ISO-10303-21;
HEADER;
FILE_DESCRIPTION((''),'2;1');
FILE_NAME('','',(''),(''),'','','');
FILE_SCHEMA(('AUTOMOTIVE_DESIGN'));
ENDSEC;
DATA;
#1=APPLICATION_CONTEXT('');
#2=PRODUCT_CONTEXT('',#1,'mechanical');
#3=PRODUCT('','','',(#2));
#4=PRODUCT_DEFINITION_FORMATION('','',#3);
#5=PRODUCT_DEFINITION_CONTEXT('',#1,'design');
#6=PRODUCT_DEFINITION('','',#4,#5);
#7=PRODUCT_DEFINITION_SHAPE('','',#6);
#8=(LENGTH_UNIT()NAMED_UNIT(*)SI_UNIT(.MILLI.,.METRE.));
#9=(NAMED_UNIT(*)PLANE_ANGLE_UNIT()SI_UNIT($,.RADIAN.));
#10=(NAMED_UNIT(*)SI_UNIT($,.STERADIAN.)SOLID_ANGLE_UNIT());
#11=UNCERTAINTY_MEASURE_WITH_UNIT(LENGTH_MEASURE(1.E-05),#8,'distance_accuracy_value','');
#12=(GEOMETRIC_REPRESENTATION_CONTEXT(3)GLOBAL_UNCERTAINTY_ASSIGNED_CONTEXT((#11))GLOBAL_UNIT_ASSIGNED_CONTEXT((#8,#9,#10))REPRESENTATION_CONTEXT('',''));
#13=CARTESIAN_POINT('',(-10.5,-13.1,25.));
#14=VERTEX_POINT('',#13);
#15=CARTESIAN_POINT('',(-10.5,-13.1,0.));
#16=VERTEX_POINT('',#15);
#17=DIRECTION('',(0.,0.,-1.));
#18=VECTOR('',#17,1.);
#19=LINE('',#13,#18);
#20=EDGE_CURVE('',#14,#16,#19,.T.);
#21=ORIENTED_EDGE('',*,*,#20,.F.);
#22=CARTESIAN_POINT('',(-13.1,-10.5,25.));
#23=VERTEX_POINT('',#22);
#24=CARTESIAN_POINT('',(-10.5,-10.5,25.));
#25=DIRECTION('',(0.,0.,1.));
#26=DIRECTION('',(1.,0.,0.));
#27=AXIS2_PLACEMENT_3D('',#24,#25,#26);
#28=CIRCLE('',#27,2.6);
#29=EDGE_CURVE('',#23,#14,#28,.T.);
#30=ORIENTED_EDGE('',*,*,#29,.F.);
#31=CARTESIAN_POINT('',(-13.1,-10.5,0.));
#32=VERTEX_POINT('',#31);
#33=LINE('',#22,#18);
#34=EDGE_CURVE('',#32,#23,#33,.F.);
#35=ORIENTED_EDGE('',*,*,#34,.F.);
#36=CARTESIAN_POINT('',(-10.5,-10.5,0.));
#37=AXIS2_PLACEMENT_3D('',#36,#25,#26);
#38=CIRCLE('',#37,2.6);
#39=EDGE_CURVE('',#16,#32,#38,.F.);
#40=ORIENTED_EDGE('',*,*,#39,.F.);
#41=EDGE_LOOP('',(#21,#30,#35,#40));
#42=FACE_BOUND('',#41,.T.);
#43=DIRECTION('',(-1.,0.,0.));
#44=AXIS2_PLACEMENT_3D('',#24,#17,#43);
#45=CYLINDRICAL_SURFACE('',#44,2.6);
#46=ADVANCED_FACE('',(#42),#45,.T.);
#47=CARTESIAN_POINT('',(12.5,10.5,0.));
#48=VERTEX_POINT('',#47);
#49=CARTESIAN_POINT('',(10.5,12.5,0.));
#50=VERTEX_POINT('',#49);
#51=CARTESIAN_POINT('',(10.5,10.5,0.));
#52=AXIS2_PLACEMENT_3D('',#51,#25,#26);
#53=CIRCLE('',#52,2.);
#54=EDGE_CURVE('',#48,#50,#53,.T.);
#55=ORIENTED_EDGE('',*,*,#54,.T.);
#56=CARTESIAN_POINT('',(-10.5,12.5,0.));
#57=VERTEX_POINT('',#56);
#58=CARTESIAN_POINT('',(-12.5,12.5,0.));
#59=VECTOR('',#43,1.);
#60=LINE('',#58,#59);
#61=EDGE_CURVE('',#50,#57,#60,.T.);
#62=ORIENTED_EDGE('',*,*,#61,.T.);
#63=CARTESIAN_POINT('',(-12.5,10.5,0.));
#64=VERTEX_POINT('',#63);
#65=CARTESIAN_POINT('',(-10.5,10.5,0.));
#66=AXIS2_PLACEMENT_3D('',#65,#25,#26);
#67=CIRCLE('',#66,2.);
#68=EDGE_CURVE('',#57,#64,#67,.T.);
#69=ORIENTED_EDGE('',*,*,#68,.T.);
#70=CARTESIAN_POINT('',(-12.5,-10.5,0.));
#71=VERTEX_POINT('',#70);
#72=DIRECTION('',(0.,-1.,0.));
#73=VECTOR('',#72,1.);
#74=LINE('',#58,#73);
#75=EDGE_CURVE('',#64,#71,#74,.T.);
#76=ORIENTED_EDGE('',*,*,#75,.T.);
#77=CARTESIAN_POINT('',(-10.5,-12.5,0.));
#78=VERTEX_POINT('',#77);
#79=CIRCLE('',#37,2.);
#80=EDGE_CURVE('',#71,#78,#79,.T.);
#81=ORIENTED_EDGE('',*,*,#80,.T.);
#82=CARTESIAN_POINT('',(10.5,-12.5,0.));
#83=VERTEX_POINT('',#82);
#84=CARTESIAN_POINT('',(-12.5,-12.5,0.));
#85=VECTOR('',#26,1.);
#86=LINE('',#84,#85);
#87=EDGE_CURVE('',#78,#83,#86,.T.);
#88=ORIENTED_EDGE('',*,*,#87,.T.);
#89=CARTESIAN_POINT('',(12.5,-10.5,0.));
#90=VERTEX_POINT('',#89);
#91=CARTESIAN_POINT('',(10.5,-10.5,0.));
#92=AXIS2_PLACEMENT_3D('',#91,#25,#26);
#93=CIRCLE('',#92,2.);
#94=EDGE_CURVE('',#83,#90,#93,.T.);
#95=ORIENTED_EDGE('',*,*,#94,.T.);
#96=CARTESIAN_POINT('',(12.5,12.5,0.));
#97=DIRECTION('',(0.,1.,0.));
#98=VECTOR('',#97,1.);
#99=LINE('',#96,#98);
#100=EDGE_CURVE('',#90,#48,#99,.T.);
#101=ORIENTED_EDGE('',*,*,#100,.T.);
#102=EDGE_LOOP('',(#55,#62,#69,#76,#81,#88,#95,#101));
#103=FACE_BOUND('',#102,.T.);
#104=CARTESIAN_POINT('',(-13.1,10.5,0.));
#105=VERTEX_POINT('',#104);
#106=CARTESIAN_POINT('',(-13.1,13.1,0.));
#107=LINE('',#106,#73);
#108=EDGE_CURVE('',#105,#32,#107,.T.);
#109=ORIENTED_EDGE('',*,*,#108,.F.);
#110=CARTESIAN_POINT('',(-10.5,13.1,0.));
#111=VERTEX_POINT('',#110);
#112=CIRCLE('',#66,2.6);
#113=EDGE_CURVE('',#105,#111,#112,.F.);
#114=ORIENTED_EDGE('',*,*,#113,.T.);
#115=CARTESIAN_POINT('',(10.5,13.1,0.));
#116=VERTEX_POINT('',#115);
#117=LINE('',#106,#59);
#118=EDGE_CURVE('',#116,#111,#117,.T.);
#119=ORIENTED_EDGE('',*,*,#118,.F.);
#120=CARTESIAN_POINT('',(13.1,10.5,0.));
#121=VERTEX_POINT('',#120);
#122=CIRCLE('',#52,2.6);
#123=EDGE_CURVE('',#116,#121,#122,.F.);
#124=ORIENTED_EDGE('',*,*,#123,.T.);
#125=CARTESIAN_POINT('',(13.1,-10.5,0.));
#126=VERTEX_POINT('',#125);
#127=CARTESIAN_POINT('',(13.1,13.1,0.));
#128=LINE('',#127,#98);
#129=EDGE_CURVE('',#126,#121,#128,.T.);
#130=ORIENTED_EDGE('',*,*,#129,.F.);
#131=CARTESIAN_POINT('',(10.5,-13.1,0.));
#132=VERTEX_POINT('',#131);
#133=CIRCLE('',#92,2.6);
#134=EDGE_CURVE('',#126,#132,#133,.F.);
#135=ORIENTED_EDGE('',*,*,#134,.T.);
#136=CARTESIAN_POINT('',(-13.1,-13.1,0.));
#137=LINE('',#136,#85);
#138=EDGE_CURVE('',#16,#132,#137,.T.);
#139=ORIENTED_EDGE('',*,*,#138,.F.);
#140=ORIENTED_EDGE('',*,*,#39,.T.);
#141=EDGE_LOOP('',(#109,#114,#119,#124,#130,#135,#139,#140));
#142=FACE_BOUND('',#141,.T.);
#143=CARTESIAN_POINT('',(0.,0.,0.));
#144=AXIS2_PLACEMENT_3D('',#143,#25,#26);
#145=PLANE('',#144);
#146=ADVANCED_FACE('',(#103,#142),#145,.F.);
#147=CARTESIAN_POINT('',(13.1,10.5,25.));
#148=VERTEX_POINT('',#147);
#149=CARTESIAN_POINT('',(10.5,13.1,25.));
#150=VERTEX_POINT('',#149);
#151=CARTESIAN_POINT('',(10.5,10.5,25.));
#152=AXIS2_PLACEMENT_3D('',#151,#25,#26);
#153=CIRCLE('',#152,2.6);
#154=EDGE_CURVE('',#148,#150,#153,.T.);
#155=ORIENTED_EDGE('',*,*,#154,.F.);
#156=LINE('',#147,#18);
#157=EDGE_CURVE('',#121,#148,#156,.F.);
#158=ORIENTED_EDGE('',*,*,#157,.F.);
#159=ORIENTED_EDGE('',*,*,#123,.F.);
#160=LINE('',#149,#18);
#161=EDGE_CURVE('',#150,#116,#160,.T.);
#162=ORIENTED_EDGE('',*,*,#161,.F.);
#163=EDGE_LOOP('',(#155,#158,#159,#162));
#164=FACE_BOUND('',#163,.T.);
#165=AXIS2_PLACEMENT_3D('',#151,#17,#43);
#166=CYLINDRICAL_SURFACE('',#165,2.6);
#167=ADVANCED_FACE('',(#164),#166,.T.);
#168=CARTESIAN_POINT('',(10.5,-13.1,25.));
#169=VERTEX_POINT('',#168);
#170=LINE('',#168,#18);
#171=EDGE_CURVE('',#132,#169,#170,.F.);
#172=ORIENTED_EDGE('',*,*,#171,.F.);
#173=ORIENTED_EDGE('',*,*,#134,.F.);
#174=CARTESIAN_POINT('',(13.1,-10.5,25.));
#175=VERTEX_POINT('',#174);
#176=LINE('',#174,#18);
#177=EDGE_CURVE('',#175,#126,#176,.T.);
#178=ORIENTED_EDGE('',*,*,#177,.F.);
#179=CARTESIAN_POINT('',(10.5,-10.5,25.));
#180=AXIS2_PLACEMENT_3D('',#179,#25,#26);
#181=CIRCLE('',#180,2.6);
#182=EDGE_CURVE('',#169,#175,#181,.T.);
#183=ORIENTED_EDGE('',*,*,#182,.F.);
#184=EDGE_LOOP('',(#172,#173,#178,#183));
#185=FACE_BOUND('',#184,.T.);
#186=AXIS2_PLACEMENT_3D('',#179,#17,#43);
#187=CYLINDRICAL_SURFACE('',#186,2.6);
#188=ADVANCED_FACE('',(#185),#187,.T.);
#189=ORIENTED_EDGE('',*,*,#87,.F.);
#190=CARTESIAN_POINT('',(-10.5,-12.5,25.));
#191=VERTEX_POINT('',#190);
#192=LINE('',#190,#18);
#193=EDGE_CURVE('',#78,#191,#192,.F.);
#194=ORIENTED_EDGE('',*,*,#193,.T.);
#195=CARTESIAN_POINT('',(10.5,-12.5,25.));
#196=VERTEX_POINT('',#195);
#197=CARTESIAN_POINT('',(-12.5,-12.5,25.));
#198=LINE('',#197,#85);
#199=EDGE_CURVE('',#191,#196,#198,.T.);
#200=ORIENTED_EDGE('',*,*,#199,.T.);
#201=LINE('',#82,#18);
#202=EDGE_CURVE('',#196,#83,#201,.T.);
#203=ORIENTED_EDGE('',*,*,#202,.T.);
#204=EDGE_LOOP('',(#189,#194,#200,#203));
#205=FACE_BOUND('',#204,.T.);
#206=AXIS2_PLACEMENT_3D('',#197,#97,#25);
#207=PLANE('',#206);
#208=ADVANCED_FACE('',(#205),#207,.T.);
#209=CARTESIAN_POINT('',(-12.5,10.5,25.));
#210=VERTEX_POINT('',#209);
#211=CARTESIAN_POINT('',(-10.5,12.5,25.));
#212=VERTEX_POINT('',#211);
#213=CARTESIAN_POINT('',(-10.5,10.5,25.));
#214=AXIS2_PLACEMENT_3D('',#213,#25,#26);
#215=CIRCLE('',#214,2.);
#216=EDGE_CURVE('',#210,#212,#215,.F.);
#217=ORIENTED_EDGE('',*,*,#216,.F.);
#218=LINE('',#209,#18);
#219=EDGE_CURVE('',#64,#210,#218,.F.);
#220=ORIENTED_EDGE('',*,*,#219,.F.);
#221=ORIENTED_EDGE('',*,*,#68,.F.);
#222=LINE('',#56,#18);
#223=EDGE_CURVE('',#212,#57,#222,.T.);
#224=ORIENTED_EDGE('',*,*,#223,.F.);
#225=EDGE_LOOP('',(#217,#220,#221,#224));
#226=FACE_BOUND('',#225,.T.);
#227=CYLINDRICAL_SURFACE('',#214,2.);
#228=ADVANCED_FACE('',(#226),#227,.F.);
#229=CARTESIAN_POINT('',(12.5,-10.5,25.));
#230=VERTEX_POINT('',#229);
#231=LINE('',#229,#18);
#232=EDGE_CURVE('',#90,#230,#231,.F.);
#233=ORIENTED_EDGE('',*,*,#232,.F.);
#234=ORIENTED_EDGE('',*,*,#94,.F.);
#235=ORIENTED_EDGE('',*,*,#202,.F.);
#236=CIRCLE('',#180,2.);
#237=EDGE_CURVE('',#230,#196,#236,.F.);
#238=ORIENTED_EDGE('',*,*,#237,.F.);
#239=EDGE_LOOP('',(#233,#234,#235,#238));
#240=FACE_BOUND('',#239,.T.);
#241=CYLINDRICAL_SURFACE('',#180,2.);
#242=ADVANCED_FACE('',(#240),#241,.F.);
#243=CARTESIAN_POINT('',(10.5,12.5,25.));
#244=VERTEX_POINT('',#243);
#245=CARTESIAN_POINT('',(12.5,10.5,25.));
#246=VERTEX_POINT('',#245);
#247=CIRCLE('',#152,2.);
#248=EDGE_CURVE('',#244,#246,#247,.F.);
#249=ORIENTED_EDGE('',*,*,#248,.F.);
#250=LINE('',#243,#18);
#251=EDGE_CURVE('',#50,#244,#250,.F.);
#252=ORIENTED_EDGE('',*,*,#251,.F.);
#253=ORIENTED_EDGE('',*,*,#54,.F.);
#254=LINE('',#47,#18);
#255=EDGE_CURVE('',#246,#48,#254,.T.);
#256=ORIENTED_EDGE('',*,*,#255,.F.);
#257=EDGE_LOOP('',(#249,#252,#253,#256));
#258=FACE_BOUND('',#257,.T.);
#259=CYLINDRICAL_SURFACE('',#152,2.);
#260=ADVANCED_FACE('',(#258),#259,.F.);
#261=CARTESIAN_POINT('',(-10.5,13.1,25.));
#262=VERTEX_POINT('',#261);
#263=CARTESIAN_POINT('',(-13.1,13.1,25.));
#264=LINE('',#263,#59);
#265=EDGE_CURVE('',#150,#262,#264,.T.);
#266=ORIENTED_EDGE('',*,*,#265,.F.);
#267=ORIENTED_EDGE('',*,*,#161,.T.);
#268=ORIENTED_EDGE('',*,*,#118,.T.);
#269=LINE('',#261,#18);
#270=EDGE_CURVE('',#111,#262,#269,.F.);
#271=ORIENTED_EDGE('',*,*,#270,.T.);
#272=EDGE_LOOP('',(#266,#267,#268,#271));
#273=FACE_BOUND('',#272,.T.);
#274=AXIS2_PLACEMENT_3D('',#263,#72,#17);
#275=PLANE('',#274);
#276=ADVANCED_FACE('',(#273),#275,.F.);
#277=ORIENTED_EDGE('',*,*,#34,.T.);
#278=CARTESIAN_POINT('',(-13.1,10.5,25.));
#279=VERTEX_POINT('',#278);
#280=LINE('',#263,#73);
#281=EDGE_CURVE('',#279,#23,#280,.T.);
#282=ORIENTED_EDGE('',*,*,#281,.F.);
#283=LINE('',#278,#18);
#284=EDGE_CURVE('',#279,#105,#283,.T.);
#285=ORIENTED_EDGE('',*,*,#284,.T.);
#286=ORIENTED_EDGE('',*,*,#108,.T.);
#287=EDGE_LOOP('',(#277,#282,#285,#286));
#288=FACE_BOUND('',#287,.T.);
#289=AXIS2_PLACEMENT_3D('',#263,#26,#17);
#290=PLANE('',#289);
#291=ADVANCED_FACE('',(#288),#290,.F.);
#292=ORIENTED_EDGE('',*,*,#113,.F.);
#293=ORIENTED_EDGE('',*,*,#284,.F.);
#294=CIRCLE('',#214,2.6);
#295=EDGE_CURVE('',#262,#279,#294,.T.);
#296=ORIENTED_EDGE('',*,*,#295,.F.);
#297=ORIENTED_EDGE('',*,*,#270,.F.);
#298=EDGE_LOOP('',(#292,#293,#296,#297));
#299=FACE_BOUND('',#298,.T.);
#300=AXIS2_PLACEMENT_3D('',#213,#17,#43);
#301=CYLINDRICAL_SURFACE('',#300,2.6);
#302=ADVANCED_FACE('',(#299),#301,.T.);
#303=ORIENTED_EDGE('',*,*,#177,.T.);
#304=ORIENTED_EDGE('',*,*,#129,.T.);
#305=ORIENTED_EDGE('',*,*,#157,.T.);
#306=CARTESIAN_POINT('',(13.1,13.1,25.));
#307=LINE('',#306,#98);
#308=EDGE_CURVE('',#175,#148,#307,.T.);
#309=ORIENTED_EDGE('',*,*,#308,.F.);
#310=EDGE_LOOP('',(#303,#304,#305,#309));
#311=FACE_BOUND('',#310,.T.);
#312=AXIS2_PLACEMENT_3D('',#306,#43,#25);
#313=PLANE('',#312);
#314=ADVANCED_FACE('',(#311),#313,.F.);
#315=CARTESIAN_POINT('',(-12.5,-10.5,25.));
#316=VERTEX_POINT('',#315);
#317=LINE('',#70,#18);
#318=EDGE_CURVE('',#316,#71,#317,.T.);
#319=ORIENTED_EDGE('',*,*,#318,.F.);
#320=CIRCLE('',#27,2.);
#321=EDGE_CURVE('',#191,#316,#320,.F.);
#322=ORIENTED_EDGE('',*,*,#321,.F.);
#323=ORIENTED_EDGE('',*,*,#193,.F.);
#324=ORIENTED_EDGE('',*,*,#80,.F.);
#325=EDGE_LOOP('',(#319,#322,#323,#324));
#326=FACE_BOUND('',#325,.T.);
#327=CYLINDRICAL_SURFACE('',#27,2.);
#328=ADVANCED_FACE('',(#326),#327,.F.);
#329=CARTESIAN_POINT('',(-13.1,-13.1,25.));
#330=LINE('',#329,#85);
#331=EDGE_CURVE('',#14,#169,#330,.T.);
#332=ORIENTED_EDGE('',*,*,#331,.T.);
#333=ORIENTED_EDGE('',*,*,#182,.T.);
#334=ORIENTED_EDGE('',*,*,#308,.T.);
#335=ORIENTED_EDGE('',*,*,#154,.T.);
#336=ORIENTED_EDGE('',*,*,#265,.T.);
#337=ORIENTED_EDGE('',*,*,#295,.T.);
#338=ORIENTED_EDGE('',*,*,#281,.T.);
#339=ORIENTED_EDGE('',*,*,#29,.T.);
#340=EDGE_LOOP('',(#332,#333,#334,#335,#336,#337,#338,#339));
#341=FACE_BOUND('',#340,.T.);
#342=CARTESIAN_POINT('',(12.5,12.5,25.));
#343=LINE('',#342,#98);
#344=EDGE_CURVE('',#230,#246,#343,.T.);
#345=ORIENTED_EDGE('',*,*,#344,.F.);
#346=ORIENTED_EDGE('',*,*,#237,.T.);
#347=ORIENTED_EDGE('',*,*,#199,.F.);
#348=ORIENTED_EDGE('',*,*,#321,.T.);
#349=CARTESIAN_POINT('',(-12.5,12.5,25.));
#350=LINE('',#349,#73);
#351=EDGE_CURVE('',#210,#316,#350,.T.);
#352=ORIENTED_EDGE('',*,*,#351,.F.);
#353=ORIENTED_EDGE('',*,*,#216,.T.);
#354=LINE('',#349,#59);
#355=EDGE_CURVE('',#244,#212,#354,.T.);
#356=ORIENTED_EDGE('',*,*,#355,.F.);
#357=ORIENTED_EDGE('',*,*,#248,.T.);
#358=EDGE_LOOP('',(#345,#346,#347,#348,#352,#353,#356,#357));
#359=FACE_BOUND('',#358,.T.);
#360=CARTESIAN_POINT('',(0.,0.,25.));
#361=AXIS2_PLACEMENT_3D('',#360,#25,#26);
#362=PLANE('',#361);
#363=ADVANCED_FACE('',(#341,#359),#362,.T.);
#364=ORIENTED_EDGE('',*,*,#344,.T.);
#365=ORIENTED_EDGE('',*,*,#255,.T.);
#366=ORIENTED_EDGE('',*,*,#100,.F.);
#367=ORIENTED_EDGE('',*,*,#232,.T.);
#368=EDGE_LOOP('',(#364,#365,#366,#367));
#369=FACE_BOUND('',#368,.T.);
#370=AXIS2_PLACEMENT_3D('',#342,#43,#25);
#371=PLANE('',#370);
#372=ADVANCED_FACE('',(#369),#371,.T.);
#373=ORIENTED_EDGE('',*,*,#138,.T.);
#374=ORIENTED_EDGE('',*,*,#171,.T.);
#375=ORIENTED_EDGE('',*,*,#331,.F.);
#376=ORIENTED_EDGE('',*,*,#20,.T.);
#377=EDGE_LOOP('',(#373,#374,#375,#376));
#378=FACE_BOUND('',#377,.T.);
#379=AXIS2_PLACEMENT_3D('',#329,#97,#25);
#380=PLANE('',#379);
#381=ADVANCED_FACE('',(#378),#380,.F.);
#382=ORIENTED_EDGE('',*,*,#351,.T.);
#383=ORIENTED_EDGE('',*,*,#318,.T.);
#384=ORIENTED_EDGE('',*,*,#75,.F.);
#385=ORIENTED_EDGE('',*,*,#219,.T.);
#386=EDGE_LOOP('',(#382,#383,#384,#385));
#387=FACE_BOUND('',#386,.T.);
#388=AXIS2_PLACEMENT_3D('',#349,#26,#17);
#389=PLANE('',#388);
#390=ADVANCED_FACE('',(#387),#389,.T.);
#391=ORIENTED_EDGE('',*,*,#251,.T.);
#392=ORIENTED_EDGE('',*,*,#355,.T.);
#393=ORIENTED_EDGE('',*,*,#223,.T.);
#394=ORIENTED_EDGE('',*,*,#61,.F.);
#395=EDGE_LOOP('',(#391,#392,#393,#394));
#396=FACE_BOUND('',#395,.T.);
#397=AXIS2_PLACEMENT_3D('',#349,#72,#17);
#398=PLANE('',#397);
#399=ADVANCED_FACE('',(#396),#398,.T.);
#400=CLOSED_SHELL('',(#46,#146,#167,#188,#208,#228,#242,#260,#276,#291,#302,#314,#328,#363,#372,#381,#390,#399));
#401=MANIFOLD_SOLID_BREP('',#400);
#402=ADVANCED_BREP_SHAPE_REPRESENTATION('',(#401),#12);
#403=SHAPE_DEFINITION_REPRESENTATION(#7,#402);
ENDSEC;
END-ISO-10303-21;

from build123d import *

# Parameters (mm, degrees)
SKETCH1_W           = 26.2
SKETCH1_H           = 26.2
SKETCH1_W_2         = 25
SKETCH1_H_2         = 25
BOSS_EXTRUDE1_DEPTH = 25
FILLET1_R           = 2
FILLET2_R           = 2.6


with BuildPart() as part:
    # Sketch1 → Boss-Extrude1 (new body)
    with BuildSketch(Plane.XY):
        Rectangle(SKETCH1_W, SKETCH1_H)
        Rectangle(SKETCH1_W_2, SKETCH1_H_2, mode=Mode.SUBTRACT)
    extrude(amount=BOSS_EXTRUDE1_DEPTH)

    # Fillet1
    fillet1_edges = [part.edges().sort_by_distance(p)[0] for p in [
        (12.5, -12.5, 12.5),
        (12.5, 12.5, 12.5),
        (-12.5, 12.5, 12.5),
        (-12.5, -12.5, 12.5),
    ]]
    fillet(fillet1_edges, radius=FILLET1_R)

    # Fillet2
    fillet2_edges = [part.edges().sort_by_distance(p)[0] for p in [
        (13.1, -13.1, 12.5),
        (-13.1, -13.1, 12.5),
        (-13.1, 13.1, 12.5),
        (13.1, 13.1, 12.5),
    ]]
    fillet(fillet2_edges, radius=FILLET2_R)


solid = part.part
